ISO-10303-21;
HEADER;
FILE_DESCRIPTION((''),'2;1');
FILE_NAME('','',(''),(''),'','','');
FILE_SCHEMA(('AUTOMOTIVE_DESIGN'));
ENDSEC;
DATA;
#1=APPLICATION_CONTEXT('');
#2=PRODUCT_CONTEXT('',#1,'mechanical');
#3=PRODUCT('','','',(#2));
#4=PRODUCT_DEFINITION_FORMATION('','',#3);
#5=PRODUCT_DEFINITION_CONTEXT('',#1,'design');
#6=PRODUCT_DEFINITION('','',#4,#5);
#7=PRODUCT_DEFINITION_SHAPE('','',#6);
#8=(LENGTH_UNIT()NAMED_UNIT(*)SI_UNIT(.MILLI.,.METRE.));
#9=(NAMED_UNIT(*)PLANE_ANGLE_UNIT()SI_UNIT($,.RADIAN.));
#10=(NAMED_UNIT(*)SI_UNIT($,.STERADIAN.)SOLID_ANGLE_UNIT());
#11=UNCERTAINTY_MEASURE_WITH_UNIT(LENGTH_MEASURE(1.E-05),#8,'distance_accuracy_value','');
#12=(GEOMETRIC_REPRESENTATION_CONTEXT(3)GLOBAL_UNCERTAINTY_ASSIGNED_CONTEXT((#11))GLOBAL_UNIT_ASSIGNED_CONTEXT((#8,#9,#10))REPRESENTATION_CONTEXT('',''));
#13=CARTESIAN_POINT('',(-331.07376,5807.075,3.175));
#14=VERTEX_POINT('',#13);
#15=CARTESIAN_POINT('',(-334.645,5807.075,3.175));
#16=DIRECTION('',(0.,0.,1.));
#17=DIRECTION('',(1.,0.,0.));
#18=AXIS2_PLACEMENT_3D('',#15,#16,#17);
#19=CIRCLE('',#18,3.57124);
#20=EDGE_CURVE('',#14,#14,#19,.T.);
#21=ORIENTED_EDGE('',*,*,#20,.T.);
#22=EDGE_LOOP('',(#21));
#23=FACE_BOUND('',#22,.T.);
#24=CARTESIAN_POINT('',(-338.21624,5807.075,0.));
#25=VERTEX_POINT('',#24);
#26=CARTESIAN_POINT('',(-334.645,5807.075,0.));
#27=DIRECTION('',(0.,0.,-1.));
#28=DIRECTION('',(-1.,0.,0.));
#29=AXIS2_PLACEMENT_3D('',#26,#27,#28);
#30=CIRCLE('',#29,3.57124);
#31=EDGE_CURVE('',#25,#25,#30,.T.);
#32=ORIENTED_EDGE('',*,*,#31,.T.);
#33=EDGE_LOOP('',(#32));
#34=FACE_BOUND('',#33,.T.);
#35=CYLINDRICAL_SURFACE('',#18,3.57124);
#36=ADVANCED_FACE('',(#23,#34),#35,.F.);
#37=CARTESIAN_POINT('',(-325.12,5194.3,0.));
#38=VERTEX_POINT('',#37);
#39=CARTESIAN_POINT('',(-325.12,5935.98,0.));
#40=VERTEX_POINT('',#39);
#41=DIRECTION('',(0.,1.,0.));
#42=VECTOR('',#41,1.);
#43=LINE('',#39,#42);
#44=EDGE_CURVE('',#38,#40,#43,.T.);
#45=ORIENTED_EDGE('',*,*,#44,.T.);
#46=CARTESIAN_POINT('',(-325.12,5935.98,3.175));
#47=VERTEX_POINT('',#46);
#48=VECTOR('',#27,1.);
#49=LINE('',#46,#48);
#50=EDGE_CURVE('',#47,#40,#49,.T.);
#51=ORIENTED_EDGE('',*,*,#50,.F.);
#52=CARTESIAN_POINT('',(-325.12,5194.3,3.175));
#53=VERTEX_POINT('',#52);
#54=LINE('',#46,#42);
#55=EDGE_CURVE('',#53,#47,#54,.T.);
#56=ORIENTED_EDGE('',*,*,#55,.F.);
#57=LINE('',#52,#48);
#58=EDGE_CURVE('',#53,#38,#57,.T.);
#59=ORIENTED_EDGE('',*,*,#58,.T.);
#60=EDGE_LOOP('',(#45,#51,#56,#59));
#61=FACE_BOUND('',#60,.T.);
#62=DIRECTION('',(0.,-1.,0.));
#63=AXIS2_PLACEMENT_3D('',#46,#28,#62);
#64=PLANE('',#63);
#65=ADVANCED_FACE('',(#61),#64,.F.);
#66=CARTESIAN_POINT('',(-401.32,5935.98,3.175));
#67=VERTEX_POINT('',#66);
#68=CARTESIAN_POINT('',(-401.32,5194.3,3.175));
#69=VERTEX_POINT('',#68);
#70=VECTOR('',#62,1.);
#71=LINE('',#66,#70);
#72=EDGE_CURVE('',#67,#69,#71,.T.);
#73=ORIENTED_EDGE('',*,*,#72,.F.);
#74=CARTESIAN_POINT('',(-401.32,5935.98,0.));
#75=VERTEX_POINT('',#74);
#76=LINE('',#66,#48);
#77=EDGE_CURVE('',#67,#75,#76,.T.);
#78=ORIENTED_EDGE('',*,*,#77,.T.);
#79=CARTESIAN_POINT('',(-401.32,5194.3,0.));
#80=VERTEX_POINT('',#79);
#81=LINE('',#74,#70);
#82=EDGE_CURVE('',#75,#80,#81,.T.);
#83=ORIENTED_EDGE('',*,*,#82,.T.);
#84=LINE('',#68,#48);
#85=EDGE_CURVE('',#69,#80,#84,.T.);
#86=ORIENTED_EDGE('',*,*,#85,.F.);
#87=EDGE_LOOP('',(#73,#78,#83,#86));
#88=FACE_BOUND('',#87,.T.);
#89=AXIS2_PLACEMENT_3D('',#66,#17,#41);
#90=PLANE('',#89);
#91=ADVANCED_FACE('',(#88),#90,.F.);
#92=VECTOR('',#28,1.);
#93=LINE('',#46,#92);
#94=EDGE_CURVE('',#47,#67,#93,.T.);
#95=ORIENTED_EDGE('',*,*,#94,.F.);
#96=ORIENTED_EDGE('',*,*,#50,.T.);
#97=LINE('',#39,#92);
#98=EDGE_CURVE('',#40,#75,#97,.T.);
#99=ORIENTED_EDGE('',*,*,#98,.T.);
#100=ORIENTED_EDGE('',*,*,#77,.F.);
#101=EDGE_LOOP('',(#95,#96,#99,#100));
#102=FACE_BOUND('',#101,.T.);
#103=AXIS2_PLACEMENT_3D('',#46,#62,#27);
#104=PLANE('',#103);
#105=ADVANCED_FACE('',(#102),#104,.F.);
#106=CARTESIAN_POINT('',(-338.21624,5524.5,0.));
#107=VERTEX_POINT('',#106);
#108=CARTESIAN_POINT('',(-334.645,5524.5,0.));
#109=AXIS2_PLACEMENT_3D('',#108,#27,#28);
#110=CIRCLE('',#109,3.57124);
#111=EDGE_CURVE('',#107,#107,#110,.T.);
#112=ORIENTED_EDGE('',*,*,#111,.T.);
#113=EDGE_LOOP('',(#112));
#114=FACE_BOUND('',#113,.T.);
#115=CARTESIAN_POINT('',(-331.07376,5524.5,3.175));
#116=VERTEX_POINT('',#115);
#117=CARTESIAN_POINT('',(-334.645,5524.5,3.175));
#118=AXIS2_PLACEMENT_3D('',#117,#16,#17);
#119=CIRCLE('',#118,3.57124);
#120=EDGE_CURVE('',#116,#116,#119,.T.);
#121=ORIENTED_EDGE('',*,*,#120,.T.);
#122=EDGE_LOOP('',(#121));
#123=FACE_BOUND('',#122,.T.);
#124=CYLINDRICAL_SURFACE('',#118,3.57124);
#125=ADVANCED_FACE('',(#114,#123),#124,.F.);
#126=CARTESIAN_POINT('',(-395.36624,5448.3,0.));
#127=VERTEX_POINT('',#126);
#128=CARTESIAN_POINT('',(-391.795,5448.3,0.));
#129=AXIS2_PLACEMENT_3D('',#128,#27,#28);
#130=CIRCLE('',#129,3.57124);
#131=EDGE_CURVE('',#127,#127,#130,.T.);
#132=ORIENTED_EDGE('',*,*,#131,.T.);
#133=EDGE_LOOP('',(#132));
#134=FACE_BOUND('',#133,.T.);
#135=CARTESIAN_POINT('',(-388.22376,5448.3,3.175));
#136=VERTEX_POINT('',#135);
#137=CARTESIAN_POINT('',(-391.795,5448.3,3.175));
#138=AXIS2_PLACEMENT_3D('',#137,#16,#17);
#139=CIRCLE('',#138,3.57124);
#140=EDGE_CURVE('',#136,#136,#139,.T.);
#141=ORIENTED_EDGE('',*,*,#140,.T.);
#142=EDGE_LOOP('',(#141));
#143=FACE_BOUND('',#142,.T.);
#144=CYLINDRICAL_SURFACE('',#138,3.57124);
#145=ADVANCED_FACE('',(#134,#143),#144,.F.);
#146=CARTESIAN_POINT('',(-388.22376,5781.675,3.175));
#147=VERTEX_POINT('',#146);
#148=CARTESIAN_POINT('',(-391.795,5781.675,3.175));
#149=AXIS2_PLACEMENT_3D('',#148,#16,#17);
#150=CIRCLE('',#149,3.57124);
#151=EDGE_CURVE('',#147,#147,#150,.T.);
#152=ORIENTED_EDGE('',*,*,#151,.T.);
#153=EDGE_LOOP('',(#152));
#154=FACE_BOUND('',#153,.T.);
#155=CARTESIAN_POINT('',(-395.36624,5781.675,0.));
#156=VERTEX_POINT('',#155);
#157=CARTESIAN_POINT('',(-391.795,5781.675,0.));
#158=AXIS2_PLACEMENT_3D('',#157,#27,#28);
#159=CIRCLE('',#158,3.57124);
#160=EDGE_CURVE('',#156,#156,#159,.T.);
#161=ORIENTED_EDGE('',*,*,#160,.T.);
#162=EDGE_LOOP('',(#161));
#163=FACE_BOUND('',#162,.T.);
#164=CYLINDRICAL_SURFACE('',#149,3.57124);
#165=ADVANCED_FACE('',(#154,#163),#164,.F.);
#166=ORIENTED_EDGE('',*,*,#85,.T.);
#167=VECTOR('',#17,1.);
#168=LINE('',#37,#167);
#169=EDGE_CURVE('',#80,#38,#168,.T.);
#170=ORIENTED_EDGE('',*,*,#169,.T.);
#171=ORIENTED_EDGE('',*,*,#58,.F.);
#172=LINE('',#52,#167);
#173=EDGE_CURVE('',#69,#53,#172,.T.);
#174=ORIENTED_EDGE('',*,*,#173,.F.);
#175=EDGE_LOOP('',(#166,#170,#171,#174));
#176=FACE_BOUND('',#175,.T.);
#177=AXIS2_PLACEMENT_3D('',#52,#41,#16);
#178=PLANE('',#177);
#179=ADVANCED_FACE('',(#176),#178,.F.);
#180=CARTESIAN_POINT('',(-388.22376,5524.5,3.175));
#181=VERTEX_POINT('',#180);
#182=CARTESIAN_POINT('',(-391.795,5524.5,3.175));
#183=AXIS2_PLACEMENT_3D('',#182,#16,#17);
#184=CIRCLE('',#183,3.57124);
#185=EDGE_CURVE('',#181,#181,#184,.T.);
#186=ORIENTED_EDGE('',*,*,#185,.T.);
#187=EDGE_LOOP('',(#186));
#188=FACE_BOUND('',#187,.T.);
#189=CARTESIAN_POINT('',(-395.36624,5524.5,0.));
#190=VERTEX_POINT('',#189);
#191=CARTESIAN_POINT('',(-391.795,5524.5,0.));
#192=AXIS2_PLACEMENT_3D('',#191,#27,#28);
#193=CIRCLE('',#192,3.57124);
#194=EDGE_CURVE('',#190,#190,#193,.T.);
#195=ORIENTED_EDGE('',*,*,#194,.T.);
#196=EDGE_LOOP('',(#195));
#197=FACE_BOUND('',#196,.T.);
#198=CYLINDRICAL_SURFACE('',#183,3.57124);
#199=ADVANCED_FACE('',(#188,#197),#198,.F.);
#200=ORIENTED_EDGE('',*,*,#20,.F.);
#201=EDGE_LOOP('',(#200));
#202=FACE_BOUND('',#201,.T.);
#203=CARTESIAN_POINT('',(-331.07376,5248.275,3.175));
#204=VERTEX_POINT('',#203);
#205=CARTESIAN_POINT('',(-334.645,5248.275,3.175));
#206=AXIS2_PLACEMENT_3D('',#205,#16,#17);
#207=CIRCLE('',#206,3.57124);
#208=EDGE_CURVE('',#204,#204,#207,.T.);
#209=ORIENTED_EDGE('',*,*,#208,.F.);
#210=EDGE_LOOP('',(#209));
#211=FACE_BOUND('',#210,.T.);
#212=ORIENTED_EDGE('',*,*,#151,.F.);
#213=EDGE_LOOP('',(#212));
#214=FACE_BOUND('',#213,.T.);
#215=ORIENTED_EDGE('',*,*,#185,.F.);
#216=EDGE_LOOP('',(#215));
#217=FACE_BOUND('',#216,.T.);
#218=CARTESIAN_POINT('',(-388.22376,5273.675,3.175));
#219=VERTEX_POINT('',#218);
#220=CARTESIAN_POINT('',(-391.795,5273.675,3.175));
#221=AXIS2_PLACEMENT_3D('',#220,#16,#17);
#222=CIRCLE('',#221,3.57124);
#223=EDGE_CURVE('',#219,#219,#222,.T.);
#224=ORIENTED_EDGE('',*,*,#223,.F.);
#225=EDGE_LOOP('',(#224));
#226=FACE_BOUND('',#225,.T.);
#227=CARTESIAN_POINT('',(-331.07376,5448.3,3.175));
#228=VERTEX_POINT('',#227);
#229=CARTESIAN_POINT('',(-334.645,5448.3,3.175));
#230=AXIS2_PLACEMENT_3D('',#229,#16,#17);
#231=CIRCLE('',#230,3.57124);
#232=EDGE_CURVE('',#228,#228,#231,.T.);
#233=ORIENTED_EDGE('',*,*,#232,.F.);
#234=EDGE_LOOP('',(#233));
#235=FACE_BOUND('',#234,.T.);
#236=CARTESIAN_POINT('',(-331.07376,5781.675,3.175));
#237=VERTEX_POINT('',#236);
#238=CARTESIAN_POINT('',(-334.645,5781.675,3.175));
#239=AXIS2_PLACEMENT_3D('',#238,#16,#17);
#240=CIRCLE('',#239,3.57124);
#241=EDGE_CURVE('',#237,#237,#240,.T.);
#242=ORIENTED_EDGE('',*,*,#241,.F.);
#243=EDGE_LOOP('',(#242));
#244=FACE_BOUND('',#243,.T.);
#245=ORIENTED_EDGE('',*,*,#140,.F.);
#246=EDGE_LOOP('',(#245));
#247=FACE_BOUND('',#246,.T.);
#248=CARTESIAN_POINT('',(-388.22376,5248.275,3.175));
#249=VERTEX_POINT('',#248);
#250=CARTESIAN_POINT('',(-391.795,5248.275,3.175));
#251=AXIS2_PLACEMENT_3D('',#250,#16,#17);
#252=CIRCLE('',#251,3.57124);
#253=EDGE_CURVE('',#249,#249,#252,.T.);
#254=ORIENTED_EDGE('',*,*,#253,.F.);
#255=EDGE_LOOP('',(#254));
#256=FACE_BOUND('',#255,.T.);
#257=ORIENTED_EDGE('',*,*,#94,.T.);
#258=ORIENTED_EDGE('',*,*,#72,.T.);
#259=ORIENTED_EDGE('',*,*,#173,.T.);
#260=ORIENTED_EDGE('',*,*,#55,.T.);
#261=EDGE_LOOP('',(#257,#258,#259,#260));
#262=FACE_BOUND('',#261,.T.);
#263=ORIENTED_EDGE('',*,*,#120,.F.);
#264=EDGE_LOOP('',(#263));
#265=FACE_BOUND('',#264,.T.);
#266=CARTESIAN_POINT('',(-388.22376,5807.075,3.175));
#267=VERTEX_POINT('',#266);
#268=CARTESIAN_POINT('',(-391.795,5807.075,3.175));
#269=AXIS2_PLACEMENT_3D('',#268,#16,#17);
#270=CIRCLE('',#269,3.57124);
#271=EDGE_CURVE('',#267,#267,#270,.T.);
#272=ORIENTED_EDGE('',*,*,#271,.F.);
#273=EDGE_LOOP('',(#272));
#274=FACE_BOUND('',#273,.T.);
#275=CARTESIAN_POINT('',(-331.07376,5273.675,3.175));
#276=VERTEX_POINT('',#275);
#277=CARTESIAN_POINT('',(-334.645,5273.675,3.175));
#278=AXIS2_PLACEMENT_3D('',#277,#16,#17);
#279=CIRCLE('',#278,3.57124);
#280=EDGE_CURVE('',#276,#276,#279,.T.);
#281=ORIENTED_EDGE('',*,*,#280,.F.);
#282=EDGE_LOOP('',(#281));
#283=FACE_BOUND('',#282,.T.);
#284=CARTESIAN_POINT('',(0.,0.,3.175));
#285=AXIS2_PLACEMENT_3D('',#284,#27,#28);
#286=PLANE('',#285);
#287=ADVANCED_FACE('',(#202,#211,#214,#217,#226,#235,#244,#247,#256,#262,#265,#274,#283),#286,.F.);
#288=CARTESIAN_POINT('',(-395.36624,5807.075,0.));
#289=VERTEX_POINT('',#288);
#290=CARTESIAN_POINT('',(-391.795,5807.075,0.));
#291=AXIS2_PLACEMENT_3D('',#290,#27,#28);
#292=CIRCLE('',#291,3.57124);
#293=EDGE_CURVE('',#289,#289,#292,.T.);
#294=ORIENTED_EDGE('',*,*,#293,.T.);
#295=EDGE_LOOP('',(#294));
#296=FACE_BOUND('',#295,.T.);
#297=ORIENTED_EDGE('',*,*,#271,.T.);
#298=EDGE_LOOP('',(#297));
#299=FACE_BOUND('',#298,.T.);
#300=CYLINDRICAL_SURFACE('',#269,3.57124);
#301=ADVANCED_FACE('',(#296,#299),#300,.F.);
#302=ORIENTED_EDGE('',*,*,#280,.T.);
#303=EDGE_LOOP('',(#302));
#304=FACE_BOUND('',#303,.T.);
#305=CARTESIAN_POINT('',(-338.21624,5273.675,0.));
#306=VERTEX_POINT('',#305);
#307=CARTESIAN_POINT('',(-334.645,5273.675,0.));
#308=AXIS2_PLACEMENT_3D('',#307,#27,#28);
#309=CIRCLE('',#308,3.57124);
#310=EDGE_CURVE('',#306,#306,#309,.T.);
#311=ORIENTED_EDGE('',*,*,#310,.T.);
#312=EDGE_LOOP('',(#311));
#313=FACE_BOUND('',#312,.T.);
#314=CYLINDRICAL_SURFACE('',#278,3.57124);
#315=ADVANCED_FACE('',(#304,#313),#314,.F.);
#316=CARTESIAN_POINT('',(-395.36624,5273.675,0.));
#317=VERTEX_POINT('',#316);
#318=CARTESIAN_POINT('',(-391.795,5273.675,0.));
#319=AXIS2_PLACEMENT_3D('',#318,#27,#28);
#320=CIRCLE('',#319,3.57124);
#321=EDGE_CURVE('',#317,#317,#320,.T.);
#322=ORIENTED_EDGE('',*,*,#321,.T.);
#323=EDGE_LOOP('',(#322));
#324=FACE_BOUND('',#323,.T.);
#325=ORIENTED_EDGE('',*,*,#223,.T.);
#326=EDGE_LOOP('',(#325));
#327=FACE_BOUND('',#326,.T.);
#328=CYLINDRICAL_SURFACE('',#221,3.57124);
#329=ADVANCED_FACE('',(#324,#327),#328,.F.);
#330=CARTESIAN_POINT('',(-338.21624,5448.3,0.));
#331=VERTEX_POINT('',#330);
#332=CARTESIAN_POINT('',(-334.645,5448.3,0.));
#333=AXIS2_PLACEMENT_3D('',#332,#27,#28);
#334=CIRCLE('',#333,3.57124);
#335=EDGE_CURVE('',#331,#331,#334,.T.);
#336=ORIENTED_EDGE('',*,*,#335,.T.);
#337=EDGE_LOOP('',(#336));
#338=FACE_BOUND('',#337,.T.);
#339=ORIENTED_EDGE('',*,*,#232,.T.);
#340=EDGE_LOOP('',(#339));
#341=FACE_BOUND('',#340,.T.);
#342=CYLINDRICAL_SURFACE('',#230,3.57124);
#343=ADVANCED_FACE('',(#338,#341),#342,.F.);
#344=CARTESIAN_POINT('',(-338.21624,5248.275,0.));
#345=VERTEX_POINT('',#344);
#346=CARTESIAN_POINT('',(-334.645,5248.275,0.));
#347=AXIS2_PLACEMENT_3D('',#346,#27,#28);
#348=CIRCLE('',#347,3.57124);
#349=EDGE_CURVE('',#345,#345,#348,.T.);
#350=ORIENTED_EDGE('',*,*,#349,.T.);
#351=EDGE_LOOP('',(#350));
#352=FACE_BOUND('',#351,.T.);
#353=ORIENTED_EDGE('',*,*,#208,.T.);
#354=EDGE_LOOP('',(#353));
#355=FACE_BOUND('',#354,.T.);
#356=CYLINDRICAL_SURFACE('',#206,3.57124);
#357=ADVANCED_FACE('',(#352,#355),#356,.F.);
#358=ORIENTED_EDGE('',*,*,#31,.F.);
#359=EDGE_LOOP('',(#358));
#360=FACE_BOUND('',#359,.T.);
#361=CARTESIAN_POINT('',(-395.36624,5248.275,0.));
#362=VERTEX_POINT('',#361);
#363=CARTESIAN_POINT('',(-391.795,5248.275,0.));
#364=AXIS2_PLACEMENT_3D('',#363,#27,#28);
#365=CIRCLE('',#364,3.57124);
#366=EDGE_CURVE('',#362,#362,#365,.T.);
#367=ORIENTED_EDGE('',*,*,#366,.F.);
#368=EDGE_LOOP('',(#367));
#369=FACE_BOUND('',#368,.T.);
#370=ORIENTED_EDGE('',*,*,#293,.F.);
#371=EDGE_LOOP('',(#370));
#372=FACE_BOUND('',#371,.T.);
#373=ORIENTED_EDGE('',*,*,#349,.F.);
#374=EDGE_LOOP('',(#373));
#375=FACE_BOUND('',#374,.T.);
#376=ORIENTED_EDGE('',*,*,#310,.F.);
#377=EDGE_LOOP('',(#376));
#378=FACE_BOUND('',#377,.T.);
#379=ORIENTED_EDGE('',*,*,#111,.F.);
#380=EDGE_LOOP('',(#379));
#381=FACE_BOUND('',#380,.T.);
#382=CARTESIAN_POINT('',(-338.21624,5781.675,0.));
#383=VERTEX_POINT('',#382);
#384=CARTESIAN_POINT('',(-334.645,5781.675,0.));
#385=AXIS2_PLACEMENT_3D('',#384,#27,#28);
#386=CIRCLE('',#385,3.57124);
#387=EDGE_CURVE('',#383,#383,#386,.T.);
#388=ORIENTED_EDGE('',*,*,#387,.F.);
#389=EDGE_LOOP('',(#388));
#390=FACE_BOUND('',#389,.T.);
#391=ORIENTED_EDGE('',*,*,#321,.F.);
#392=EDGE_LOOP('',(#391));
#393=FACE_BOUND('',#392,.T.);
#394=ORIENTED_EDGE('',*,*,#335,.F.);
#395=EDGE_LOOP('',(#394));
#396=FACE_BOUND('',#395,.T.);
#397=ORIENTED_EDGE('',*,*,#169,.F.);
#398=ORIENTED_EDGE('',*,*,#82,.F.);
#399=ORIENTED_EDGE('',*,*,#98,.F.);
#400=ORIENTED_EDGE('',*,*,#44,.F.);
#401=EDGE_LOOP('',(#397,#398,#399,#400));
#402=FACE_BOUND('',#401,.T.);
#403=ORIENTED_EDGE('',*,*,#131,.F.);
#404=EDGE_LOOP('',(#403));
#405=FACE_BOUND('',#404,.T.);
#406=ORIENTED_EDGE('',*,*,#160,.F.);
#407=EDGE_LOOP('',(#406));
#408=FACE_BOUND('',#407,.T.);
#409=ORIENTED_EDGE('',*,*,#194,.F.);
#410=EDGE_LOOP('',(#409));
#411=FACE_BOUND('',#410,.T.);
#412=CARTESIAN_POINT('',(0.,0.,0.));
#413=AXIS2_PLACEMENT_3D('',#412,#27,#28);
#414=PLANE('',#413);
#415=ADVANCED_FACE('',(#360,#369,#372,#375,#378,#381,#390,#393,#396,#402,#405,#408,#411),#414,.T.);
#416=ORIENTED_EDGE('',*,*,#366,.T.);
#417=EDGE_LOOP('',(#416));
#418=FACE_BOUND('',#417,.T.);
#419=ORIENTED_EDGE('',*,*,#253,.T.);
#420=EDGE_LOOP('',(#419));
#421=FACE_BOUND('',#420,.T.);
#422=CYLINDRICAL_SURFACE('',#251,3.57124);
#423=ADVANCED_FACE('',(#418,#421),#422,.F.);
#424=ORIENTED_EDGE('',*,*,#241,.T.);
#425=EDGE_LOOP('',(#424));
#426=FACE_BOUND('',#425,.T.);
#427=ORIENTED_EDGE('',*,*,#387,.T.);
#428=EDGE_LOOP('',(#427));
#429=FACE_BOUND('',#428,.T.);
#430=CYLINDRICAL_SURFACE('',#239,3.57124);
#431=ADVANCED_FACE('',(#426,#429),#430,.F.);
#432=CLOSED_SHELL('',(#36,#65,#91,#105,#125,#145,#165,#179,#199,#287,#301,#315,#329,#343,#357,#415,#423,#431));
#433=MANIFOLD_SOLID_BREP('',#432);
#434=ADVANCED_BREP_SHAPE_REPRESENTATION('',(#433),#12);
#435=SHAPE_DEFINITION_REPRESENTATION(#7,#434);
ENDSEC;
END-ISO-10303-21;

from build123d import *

# Parameters (mm, degrees)
SKETCH1_W                   = 76.2
SKETCH1_H                   = 741.680000144
BOSS_EXTRUDE1_DEPTH         = 3.175
F_1_4_CLEARANCE_HOLE1_D     = 7.14248
F_1_4_CLEARANCE_HOLE1_DEPTH = 50.8
F_1_4_CLEARANCE_HOLE1_TIP   = 2.145817477


with BuildPart() as part:
    # Sketch1 → Boss-Extrude1 (new body)
    with BuildSketch(Plane.XY):
        with Locations((-363.22, 5565.140000072)):
            Rectangle(SKETCH1_W, SKETCH1_H)
    extrude(amount=BOSS_EXTRUDE1_DEPTH)

    # 1/4 Clearance Hole1
    with Locations(Plane.XY.offset(3.175)):
        with Locations((-391.795, 5248.275), (-391.795, 5273.675), (-334.645, 5273.675), (-334.645, 5248.275), (-334.645, 5781.675), (-334.645, 5807.075), (-391.795, 5807.075), (-391.795, 5781.675), (-391.795, 5448.3), (-334.645, 5448.3), (-391.795, 5524.5), (-334.645, 5524.5), (334.645, 5524.5), (391.795, 5524.5), (334.645, 5448.3), (391.795, 5448.3), (391.795, 5781.675), (391.795, 5807.075), (334.645, 5807.075), (334.645, 5781.675), (334.645, 5248.275), (334.645, 5273.675), (391.795, 5273.675), (391.795, 5248.275)):
            Hole(F_1_4_CLEARANCE_HOLE1_D / 2, depth=F_1_4_CLEARANCE_HOLE1_DEPTH)
            with Locations((0, 0, -(F_1_4_CLEARANCE_HOLE1_DEPTH + F_1_4_CLEARANCE_HOLE1_TIP / 2))):  # 118° drill point
                Cone(0, F_1_4_CLEARANCE_HOLE1_D / 2, F_1_4_CLEARANCE_HOLE1_TIP, mode=Mode.SUBTRACT)


solid = part.part
